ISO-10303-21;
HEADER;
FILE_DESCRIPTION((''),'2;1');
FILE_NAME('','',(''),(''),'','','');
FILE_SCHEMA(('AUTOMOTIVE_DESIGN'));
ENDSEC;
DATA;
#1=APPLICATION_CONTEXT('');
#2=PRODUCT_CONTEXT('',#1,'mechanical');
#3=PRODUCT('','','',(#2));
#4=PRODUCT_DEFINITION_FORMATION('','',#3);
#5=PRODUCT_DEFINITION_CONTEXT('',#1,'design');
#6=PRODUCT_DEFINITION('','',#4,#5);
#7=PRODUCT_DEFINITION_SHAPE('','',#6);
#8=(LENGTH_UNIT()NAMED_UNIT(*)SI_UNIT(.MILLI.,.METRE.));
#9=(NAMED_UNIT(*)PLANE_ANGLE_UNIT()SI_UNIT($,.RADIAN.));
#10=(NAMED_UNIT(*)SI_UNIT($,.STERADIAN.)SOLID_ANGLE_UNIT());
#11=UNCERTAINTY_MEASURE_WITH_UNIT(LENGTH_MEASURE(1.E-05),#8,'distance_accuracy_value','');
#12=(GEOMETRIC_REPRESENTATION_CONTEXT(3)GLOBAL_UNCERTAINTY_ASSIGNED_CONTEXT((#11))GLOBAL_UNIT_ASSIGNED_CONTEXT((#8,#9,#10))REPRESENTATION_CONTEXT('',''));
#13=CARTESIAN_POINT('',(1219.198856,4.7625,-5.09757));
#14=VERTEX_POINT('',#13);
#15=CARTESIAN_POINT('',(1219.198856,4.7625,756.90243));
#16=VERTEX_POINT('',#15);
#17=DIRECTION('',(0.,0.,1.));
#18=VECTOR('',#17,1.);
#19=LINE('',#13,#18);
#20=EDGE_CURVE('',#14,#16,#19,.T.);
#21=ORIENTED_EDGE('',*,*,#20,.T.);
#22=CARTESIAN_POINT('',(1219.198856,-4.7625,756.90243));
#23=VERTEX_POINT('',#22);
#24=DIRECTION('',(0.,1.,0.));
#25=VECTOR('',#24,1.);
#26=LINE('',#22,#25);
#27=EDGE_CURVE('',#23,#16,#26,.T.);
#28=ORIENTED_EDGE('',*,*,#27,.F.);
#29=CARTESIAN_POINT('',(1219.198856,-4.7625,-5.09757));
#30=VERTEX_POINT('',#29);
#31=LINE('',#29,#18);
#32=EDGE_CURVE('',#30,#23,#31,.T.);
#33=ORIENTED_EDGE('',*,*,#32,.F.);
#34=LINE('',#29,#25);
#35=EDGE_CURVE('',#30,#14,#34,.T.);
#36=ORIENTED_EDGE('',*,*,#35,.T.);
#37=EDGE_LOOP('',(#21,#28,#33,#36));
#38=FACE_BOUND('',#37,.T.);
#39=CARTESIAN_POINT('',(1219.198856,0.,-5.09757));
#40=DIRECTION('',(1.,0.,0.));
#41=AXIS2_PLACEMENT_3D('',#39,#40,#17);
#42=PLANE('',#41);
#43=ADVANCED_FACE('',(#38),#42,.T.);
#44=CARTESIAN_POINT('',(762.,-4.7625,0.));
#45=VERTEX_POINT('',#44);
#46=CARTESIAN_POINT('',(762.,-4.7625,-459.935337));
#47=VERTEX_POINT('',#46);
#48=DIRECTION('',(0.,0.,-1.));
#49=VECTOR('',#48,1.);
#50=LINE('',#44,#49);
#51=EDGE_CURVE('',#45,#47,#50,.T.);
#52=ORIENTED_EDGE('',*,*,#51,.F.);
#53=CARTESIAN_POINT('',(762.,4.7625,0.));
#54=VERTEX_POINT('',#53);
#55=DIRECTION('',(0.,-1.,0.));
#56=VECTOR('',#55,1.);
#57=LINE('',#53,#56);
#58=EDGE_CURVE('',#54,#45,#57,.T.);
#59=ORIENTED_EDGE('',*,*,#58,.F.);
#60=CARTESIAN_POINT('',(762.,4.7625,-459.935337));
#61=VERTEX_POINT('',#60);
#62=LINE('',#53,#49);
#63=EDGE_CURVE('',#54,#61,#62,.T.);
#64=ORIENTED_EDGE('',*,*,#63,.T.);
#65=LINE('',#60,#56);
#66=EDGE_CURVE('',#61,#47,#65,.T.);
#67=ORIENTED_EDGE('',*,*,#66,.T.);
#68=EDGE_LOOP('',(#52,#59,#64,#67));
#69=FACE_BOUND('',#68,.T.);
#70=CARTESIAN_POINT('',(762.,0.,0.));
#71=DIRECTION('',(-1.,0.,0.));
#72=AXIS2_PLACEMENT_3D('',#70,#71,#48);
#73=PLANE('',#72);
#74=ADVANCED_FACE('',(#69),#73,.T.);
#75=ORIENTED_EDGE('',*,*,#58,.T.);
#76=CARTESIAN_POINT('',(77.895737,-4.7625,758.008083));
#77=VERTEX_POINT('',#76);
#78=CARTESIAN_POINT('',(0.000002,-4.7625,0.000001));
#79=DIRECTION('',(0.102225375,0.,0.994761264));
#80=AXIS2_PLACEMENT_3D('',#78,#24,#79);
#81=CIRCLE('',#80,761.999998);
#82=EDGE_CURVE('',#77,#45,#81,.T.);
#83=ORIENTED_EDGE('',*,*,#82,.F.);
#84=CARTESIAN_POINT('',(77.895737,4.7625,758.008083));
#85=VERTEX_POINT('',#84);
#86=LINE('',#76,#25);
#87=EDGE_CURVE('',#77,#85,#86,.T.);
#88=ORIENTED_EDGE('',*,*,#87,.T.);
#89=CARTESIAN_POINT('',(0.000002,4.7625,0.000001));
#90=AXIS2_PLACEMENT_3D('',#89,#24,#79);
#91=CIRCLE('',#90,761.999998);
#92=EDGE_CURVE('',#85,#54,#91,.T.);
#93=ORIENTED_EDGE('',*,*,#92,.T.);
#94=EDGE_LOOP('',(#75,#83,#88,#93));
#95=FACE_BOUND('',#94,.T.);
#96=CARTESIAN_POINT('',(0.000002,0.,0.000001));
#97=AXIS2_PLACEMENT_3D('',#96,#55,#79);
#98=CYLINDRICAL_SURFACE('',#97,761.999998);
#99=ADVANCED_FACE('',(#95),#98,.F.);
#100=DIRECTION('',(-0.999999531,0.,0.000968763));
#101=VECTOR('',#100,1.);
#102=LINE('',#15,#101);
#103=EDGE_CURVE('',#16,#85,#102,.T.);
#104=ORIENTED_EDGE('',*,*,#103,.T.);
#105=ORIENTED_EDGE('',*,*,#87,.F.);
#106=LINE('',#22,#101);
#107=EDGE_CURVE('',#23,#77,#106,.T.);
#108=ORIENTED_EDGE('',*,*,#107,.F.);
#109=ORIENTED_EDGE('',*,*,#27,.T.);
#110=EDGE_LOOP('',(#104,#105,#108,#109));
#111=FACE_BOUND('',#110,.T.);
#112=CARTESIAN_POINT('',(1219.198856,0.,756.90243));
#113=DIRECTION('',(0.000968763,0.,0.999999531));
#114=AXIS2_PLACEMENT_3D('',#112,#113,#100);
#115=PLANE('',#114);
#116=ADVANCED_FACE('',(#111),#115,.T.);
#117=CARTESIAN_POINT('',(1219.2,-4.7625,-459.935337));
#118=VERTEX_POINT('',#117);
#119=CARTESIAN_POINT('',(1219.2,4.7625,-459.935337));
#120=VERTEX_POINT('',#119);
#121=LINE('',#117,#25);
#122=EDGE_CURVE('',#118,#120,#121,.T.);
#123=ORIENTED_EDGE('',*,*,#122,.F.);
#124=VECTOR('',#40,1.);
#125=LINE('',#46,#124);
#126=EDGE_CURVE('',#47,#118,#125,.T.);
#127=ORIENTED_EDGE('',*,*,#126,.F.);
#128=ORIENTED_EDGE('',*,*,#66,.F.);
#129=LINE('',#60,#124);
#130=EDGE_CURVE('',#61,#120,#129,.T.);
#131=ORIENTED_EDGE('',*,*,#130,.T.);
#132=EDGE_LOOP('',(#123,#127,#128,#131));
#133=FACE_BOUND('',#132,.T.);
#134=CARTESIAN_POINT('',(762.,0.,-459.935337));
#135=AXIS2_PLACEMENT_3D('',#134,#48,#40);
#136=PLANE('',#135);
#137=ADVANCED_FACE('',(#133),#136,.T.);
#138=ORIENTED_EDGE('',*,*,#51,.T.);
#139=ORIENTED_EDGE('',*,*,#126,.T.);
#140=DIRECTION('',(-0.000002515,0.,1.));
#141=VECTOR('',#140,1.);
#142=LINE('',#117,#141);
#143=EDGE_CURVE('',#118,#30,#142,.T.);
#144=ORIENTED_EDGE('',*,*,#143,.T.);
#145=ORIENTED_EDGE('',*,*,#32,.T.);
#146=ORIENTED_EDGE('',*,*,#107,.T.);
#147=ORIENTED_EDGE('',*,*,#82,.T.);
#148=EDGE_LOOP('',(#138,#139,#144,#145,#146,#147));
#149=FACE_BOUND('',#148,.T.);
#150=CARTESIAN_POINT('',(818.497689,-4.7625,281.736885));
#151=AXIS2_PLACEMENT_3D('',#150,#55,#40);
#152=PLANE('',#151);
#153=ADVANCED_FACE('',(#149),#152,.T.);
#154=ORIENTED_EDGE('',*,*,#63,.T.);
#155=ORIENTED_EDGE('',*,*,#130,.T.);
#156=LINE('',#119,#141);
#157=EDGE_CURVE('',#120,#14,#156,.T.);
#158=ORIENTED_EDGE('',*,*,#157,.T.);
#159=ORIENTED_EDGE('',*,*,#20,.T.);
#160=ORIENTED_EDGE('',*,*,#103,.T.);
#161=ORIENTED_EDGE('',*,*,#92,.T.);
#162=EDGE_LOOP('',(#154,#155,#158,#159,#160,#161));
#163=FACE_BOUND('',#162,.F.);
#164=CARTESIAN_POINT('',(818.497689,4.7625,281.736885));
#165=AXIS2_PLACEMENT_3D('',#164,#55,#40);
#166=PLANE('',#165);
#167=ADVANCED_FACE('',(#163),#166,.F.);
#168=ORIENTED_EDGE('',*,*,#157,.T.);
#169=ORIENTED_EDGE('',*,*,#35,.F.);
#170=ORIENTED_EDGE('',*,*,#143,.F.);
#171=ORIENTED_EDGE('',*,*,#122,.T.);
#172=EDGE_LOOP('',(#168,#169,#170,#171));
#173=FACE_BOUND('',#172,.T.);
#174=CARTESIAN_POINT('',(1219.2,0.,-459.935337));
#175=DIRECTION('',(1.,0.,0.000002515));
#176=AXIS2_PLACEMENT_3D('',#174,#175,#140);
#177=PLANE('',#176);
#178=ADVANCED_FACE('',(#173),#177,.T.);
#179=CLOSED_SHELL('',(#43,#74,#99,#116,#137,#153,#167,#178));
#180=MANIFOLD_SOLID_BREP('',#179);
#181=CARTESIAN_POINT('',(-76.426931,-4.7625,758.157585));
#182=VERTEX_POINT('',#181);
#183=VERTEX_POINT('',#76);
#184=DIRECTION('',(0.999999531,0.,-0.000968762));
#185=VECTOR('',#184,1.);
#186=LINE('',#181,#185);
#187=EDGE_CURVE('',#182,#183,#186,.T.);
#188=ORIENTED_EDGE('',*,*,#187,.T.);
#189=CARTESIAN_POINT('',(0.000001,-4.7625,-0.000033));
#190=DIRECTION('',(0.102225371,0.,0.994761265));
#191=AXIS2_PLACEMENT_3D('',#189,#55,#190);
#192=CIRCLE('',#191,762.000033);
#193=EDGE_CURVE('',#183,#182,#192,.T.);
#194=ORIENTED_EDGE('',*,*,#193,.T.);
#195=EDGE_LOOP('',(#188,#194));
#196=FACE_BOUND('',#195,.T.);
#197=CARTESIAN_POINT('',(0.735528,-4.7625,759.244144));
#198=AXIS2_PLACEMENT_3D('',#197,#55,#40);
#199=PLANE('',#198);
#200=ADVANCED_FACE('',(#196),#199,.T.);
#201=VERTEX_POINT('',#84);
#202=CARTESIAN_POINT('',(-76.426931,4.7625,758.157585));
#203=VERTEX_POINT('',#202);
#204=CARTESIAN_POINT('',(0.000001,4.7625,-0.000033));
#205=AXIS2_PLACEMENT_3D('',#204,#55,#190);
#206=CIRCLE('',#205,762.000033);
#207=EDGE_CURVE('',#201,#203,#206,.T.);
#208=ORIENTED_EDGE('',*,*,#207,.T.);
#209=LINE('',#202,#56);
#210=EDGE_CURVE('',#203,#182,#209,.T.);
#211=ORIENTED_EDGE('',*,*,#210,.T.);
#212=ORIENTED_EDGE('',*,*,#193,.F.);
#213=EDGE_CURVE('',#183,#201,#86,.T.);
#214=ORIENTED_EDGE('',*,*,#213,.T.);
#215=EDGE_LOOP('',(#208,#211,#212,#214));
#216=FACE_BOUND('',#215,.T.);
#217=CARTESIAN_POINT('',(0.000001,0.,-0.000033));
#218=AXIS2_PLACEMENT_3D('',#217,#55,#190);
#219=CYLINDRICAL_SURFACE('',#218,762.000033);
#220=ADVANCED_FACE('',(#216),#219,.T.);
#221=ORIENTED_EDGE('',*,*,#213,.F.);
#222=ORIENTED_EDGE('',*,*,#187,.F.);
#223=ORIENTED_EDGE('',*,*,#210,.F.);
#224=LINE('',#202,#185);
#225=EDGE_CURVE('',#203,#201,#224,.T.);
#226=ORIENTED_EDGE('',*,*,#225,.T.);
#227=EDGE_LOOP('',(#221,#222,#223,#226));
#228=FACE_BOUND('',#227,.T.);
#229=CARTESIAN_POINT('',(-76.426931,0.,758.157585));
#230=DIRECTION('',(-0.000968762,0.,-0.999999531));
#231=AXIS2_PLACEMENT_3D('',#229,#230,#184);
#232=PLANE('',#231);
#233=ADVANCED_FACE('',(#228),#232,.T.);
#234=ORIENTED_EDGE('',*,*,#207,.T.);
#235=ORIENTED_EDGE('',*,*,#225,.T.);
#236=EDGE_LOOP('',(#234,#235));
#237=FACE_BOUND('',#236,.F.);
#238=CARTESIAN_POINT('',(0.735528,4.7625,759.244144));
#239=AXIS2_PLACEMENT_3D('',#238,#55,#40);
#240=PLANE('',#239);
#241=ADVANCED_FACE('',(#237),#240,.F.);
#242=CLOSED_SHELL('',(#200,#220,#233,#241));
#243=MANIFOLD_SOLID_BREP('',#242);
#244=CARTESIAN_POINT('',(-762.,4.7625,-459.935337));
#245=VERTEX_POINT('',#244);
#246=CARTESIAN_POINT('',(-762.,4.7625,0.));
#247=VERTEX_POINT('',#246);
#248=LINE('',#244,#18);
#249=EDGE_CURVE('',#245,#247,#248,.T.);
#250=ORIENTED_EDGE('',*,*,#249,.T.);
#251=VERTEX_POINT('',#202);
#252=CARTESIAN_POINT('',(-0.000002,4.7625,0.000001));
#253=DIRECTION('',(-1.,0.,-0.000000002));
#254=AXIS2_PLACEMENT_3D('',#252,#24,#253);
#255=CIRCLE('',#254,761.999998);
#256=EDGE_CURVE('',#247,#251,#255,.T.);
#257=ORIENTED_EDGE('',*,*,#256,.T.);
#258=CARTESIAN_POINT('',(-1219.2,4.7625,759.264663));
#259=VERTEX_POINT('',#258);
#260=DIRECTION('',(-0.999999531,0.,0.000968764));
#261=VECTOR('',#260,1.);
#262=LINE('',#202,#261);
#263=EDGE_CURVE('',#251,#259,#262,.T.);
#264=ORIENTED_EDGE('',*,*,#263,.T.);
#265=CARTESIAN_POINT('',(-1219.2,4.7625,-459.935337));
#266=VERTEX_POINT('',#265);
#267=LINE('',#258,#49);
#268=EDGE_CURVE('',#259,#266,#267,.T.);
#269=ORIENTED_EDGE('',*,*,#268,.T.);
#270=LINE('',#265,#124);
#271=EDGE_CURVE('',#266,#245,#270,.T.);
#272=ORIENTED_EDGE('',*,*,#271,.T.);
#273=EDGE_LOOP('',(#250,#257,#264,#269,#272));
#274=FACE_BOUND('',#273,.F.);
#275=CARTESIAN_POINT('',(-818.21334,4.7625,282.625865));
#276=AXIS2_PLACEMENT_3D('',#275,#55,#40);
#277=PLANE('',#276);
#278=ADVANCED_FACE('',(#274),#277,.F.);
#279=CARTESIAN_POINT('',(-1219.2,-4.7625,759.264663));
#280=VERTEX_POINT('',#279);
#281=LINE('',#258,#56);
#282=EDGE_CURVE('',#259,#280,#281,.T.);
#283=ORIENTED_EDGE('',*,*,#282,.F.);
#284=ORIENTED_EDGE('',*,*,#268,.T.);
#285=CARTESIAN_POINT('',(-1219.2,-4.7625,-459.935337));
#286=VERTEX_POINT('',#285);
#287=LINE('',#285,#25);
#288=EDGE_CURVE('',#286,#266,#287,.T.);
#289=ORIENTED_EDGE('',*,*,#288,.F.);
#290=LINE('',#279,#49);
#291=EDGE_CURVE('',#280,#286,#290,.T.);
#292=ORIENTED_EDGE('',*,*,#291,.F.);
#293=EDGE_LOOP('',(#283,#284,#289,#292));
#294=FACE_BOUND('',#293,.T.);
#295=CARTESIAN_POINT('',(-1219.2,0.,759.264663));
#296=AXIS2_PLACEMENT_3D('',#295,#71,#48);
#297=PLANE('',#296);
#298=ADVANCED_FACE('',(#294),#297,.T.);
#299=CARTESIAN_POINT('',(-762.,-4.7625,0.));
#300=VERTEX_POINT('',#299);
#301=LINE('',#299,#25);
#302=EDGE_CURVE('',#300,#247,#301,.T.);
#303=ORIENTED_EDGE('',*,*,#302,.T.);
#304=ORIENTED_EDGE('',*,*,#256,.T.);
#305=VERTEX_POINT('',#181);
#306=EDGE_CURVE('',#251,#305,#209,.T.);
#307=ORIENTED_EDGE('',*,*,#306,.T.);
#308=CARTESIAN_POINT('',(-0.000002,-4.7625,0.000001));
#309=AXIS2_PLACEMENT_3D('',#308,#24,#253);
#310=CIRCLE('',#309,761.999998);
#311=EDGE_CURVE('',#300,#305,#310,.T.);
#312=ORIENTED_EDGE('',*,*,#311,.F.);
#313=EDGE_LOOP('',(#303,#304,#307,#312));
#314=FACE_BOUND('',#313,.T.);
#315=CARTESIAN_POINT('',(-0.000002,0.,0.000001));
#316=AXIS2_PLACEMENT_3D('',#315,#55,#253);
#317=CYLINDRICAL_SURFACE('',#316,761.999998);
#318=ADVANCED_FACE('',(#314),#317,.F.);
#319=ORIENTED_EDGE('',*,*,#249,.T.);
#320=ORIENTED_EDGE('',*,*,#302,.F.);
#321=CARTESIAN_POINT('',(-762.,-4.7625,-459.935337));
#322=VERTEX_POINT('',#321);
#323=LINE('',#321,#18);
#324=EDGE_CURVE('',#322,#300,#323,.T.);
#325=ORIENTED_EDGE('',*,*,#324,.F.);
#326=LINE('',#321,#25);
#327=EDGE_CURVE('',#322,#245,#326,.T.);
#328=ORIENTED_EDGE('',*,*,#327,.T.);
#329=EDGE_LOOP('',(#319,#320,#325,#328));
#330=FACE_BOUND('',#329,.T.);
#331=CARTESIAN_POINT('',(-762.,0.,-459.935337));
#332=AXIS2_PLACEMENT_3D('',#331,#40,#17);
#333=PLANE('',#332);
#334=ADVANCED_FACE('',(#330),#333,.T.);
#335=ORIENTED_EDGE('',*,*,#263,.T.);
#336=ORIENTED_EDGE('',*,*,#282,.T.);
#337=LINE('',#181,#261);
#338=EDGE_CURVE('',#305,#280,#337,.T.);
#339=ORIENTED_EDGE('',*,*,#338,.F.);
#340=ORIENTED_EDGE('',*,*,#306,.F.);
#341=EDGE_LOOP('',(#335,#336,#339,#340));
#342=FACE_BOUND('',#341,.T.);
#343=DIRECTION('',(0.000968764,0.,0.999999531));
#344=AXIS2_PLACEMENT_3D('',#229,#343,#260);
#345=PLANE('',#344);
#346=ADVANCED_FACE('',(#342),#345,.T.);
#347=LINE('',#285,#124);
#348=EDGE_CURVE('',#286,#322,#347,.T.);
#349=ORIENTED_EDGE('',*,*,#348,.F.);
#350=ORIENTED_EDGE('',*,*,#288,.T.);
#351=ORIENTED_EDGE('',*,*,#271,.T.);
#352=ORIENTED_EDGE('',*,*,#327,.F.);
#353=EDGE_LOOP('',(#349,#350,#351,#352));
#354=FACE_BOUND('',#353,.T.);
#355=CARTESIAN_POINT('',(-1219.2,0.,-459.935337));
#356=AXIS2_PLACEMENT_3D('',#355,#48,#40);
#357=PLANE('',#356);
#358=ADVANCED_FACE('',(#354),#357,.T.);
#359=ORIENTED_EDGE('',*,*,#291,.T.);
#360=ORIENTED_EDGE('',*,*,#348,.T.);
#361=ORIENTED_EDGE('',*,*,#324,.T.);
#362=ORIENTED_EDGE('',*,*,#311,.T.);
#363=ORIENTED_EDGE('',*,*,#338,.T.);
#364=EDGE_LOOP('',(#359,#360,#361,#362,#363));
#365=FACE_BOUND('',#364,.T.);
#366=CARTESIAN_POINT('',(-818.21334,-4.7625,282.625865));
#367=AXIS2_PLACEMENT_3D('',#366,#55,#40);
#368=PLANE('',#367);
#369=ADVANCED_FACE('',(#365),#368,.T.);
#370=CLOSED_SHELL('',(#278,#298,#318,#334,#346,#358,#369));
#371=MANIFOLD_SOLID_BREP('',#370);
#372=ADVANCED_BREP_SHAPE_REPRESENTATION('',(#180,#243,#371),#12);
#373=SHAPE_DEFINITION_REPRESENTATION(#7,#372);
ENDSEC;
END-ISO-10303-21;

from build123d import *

# Parameters (mm, degrees)
F1_DEPTH = 4.7625


with BuildPart() as f1:
    # F0 (on Front) → F1 (new body, symmetric)
    with BuildSketch(Plane.XZ):
        with BuildLine():
            Line((-762, -459.935337), (-762, 0))
            ThreePointArc((-762, 0), (-565.190818, 511.080561), (-76.426931, 758.157585))
            Line((-76.426931, 758.157585), (-1219.2, 759.264663))
            Line((-1219.2, 759.264663), (-1219.2, -5.09757))
            Line((-1219.2, -5.09757), (-1219.2, -459.935337))
            Line((-1219.2, -459.935337), (-762, -459.935337))
        make_face()
        with BuildLine():
            Line((1219.198856, 756.90243), (77.895737, 758.008083))
            ThreePointArc((77.895737, 758.008083), (565.685669, 510.532785), (762, 0))
            Line((762, 0), (762, -459.935337))
            Line((762, -459.935337), (1219.2, -459.935337))
            Line((1219.2, -459.935337), (1219.198856, -5.09757))
            Line((1219.198856, -5.09757), (1219.198856, 756.90243))
        make_face()
        with BuildLine():
            ThreePointArc((77.895737, 758.008083), (0.738198, 761.999642), (-76.426931, 758.157585))
            Line((-76.426931, 758.157585), (77.895737, 758.008083))
        make_face()
    extrude(amount=F1_DEPTH, both=True)


solid = f1.part
